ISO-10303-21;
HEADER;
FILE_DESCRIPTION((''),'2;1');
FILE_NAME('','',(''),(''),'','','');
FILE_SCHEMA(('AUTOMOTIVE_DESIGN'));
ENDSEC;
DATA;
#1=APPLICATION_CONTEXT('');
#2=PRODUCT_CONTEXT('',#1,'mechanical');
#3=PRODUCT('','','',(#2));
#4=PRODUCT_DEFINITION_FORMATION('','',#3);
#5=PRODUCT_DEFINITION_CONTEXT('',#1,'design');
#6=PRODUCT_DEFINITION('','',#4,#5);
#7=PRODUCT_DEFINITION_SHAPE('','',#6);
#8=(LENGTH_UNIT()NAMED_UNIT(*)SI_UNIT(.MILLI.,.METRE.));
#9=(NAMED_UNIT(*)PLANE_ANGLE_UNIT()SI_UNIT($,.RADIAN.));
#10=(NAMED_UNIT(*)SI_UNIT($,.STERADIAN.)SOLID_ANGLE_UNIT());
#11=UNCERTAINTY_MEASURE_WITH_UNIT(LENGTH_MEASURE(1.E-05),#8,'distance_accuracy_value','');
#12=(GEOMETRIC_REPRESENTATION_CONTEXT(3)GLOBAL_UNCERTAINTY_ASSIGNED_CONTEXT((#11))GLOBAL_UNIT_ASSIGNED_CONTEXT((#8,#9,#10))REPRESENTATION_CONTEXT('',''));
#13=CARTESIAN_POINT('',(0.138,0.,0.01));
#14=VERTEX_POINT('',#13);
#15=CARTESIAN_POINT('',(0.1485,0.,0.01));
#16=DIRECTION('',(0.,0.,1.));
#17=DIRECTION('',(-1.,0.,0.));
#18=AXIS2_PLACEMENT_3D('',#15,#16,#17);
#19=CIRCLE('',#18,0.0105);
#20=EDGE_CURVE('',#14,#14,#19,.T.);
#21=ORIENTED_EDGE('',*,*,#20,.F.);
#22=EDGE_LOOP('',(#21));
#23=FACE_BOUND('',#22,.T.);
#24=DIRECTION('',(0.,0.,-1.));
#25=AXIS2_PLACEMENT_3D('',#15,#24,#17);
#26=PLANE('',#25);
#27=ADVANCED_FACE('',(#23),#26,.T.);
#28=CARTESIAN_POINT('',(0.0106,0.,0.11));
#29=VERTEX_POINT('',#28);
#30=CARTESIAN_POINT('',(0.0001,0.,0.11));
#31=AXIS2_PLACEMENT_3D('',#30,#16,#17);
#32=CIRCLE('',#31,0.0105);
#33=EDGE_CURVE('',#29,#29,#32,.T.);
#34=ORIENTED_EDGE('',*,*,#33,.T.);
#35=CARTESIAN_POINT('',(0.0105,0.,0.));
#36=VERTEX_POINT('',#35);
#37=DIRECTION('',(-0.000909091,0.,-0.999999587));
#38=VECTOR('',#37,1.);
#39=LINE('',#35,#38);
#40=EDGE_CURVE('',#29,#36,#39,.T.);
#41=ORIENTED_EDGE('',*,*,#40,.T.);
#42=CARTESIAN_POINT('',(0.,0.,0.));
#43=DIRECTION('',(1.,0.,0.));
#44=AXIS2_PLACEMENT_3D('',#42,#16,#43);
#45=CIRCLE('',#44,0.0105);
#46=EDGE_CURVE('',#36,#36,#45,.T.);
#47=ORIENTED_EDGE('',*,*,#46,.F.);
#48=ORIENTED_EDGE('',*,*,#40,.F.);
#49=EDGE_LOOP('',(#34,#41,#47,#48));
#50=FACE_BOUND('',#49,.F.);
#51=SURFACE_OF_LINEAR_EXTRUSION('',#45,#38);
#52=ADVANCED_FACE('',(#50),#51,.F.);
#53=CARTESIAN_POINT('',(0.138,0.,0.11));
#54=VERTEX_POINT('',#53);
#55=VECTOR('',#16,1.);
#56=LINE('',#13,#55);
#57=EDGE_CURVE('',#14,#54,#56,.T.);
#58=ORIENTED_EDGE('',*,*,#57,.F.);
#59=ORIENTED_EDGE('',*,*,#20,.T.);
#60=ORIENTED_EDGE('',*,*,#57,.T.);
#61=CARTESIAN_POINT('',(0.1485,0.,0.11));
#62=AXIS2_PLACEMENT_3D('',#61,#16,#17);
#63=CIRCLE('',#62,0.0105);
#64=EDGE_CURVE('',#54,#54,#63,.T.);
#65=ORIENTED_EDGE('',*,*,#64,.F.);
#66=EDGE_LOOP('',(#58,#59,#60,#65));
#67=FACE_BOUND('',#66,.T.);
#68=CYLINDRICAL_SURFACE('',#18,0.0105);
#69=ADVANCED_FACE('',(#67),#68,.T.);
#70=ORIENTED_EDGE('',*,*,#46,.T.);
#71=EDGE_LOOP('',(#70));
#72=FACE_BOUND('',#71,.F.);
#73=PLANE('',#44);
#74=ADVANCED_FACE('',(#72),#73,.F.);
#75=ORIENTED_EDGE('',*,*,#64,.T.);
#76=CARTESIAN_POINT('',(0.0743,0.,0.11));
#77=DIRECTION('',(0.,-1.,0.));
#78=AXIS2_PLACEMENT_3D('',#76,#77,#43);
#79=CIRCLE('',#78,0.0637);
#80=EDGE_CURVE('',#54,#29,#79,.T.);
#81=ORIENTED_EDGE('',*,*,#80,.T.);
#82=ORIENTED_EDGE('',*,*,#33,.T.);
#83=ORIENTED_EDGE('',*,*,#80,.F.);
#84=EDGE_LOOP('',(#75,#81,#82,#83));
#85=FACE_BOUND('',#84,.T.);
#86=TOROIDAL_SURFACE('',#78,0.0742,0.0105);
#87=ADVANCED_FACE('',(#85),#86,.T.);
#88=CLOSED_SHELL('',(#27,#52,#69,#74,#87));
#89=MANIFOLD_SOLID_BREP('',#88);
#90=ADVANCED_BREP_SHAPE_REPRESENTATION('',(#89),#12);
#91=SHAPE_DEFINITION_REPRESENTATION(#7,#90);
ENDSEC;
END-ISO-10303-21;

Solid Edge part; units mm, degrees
sketch "Sketch1" plane through (0, 0, 0) normal (0, -1, 0) x (1, 0, 0)
  line L0 (0.1485, 0.01) -> (0.1485, 0.11)
  line L1 (0, 0) -> (0, 0.11)
  arc A0 (0.0001, 0.11) -> (0.1485, 0.11) centre (0.0743, 0.11) cw
sketch "Sketch2" plane through (0, 0, 0) normal (0, 0, 1) x (1, 0, 0)
  circle A0 centre (0, 0) radius 0.0105
  dimension "D1" = 0.021
sweep "SweptProtrusion1" add profiles "Sketch2" path "Sketch1"
